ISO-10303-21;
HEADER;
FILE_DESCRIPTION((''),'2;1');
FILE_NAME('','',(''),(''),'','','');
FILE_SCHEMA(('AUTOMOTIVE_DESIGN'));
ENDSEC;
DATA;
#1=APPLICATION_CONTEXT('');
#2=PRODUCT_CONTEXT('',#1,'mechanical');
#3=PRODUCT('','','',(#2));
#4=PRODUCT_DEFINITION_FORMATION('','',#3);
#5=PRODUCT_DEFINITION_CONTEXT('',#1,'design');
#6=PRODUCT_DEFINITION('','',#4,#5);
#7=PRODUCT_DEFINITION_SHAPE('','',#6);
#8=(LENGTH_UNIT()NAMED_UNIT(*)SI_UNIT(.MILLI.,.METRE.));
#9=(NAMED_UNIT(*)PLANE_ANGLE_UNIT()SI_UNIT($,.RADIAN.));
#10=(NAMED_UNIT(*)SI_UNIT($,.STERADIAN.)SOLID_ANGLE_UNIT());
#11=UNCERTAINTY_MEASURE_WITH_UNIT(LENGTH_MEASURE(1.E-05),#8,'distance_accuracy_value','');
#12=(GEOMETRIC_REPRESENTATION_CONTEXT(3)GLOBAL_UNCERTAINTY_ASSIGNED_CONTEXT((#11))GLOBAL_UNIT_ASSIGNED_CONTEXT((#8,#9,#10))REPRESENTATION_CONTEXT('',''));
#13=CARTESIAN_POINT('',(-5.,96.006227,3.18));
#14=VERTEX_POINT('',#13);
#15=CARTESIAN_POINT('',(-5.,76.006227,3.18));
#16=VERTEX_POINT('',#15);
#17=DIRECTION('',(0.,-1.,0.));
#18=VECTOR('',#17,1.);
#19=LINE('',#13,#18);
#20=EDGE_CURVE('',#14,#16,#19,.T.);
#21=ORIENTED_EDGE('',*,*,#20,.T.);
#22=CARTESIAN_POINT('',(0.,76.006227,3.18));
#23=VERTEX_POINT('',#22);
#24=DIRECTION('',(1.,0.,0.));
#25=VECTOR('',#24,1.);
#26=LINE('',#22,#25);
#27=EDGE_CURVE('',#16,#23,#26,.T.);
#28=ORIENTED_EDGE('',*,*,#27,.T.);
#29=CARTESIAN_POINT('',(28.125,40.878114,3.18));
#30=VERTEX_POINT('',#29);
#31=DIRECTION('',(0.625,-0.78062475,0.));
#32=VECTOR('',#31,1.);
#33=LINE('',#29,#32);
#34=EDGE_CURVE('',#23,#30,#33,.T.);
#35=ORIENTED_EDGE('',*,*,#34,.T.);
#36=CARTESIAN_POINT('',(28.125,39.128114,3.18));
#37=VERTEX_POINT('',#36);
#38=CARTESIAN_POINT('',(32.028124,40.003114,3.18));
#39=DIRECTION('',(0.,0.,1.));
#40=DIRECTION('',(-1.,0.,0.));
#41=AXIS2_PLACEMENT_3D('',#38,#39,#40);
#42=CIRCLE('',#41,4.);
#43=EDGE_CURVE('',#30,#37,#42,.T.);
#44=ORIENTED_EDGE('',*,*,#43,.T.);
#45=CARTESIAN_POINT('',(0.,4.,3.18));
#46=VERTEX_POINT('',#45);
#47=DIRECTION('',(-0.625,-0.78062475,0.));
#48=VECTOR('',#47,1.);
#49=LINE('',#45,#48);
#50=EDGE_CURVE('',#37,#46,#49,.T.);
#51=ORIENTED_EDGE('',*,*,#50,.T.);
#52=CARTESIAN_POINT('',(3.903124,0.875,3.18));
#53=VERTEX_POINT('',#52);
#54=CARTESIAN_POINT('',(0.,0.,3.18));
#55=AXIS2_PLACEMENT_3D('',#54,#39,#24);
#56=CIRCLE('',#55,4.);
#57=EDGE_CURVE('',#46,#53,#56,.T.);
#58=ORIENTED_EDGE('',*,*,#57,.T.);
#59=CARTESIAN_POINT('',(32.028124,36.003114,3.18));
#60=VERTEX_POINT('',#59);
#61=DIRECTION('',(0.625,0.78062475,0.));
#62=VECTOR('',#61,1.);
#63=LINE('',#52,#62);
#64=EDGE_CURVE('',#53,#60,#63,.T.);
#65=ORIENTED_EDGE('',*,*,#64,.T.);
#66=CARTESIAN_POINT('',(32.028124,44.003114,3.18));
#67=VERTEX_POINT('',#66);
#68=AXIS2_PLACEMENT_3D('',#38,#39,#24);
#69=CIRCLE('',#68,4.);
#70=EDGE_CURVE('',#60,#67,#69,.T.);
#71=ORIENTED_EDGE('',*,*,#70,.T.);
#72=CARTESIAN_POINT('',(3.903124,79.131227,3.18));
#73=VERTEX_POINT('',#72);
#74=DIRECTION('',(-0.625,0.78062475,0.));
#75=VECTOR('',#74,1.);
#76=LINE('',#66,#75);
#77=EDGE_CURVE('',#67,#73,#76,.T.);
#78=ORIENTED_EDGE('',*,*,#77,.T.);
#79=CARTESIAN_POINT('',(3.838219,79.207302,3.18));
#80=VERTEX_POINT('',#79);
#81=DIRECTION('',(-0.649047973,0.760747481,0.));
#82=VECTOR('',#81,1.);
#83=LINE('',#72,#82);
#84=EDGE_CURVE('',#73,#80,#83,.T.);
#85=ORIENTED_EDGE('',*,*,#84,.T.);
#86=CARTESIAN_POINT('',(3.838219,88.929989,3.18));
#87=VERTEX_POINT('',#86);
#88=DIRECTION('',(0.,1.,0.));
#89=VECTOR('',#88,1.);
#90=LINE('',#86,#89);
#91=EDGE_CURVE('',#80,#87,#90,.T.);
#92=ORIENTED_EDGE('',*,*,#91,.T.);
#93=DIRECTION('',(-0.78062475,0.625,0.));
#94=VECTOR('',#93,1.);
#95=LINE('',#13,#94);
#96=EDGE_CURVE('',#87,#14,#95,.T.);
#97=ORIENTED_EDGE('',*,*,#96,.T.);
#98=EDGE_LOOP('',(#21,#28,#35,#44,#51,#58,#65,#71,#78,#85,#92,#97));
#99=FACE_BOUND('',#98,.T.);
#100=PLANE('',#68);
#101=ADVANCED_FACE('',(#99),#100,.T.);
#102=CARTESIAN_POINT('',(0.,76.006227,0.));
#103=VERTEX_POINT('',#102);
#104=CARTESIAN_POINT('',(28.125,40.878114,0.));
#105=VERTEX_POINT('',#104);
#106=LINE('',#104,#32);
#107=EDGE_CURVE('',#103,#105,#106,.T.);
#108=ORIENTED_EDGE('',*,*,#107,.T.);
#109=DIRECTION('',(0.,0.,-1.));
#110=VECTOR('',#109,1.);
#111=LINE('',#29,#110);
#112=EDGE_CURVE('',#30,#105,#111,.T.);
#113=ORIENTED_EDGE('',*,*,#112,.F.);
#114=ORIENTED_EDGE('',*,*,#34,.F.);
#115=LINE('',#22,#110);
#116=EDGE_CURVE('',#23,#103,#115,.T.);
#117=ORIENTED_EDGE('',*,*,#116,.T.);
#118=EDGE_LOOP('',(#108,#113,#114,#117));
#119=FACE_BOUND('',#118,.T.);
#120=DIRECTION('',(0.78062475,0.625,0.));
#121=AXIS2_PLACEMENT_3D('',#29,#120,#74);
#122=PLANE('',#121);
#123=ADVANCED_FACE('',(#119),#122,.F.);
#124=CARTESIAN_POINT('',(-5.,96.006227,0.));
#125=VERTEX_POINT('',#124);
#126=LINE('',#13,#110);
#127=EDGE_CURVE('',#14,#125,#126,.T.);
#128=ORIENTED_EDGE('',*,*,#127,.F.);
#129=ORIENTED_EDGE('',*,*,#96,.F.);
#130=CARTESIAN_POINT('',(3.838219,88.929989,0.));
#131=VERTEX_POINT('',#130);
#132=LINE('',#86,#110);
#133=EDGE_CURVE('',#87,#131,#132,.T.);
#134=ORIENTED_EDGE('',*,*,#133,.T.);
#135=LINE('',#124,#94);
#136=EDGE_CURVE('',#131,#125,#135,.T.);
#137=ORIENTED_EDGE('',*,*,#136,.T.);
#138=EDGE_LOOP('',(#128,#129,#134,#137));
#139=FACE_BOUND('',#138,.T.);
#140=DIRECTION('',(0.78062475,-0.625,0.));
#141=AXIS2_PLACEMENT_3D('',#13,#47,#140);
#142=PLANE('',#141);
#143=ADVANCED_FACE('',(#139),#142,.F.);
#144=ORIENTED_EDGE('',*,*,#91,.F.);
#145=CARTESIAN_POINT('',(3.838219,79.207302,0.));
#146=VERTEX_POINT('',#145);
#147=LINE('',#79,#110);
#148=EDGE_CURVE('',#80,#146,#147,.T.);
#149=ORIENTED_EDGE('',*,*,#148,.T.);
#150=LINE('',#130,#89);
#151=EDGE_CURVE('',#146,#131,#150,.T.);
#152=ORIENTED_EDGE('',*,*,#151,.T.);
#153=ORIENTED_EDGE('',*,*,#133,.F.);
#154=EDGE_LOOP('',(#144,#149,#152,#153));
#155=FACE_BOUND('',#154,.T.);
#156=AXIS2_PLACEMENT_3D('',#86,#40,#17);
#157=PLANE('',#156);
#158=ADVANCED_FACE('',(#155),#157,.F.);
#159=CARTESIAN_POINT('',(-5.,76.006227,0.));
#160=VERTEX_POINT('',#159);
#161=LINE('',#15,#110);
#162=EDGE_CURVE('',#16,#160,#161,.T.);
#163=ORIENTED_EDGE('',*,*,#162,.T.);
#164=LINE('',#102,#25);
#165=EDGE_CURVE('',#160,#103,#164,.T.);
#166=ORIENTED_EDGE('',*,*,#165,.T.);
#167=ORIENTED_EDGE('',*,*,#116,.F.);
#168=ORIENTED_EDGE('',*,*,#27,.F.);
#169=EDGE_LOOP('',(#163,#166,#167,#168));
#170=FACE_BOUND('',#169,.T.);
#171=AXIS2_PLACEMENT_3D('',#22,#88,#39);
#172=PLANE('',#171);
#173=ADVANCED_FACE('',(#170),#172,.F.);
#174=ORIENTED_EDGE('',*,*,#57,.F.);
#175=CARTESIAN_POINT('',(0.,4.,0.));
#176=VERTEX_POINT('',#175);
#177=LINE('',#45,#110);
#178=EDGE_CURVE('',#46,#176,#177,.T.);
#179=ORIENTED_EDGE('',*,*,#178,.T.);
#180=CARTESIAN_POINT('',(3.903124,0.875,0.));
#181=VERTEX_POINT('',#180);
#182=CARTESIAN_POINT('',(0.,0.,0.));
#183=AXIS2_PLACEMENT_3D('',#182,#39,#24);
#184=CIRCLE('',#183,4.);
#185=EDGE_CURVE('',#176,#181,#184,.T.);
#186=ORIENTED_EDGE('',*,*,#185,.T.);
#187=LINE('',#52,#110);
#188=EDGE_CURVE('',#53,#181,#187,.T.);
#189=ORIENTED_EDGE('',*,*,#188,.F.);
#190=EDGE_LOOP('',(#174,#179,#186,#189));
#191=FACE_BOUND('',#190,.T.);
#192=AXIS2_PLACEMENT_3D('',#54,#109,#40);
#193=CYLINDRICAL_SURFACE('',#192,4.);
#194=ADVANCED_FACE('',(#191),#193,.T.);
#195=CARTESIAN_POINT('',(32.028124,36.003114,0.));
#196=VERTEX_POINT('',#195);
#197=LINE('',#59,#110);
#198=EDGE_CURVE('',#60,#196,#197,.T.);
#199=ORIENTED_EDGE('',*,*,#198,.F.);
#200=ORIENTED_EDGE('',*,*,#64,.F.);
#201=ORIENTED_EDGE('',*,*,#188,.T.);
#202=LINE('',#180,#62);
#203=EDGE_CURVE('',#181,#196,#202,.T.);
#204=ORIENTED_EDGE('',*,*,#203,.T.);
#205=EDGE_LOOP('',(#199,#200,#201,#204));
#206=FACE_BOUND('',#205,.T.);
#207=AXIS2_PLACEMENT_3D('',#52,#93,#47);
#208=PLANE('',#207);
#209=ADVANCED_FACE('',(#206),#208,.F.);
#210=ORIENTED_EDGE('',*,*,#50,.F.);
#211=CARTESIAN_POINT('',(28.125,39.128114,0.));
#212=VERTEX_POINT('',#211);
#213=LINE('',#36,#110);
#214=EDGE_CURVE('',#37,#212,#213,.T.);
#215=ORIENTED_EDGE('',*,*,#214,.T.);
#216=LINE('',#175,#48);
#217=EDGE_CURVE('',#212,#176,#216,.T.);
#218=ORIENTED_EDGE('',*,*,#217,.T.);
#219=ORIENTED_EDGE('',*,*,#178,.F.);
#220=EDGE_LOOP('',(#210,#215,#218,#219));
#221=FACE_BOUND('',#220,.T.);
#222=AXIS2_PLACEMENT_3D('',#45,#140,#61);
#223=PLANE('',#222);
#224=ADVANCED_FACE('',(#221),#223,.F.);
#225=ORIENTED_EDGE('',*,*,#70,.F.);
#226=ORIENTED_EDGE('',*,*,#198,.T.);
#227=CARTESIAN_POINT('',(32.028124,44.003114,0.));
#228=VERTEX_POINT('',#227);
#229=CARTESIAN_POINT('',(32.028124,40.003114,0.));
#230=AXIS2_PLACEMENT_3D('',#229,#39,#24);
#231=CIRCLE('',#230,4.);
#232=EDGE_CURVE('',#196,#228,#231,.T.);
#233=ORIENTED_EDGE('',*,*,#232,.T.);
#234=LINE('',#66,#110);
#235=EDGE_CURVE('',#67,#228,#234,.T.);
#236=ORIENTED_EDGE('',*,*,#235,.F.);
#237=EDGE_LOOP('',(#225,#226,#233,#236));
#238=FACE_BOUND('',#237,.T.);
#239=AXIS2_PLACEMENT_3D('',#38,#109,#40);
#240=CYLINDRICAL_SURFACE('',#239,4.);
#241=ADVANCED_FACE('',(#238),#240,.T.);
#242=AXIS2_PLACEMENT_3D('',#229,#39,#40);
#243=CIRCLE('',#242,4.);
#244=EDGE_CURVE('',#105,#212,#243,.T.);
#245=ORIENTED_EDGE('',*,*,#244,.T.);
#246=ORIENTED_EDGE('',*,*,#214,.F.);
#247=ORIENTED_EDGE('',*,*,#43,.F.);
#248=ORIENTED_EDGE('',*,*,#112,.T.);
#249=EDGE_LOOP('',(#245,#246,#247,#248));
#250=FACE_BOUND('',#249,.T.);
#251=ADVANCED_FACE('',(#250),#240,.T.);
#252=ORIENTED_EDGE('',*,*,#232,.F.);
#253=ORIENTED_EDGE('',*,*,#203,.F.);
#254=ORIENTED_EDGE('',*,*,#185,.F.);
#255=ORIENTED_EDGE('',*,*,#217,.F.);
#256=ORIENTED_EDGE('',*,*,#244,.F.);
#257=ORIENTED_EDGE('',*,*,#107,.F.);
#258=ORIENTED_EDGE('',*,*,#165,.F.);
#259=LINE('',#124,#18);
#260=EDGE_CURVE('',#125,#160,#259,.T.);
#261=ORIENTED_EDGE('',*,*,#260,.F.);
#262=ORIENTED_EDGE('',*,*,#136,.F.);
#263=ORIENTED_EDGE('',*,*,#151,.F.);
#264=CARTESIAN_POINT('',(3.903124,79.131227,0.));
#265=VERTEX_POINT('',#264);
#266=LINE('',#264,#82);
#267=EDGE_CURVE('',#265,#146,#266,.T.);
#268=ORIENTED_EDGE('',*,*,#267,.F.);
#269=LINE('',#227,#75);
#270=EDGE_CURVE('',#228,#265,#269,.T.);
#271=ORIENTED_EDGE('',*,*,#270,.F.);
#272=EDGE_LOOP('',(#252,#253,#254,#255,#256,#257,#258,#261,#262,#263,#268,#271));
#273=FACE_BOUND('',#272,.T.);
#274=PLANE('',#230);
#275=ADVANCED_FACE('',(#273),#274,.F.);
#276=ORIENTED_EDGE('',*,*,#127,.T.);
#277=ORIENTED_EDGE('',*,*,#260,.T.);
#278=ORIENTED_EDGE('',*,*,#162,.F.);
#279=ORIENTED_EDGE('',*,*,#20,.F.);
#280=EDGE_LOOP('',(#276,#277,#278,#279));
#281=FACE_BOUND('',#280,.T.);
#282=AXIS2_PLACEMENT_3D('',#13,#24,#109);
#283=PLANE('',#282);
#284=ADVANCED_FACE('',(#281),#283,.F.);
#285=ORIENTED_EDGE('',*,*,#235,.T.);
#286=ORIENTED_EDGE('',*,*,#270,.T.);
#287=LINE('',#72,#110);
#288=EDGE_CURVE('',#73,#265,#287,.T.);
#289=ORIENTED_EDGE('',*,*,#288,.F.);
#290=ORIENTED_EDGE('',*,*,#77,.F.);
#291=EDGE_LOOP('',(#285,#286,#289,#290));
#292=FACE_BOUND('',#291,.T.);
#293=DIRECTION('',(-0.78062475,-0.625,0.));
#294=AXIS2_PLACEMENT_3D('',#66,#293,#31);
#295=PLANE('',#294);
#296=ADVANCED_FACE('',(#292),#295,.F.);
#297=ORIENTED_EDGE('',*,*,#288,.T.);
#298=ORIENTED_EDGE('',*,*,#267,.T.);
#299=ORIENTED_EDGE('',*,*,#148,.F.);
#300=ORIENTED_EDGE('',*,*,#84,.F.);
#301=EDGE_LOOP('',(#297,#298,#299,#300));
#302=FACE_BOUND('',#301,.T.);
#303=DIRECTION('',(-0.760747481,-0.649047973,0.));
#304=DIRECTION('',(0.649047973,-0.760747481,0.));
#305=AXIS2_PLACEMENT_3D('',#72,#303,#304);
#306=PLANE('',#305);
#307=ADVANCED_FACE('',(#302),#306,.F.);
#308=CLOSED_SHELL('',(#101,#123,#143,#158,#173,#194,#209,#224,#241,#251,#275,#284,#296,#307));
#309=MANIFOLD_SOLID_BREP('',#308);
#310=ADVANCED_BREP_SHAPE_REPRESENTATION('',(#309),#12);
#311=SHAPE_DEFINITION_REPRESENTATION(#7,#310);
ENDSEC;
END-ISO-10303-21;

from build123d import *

# Parameters (mm, degrees)
BOSS_EXTRUDE1_DEPTH = 3.18


with BuildPart() as part:
    # Sketch1 → Boss-Extrude1 (new body)
    with BuildSketch(Plane.XY):
        with BuildLine():
            Line((0, 4), (28.125, 39.128113741))
            ThreePointArc((28.125, 39.128113741), (28.028123749, 40.003113741), (28.125, 40.878113741))
            Line((28.125, 40.878113741), (0, 76.006227482))
            Line((0, 76.006227482), (-5, 76.006227482))
            Line((-5, 76.006227482), (-5, 96.006227482))
            Line((-5, 96.006227482), (3.838218952, 88.929989064))
            Line((3.838218952, 88.929989064), (3.838218952, 79.20730223))
            Line((3.838218952, 79.20730223), (3.903123749, 79.131227482))
            Line((3.903123749, 79.131227482), (32.028123749, 44.003113741))
            ThreePointArc((32.028123749, 44.003113741), (36.028123749, 40.003113741), (32.028123749, 36.003113741))
            Line((32.028123749, 36.003113741), (3.903123749, 0.875))
            ThreePointArc((3.903123749, 0.875), (-2.5, -3.122498999), (0, 4))
        make_face()
    extrude(amount=BOSS_EXTRUDE1_DEPTH)


solid = part.part
